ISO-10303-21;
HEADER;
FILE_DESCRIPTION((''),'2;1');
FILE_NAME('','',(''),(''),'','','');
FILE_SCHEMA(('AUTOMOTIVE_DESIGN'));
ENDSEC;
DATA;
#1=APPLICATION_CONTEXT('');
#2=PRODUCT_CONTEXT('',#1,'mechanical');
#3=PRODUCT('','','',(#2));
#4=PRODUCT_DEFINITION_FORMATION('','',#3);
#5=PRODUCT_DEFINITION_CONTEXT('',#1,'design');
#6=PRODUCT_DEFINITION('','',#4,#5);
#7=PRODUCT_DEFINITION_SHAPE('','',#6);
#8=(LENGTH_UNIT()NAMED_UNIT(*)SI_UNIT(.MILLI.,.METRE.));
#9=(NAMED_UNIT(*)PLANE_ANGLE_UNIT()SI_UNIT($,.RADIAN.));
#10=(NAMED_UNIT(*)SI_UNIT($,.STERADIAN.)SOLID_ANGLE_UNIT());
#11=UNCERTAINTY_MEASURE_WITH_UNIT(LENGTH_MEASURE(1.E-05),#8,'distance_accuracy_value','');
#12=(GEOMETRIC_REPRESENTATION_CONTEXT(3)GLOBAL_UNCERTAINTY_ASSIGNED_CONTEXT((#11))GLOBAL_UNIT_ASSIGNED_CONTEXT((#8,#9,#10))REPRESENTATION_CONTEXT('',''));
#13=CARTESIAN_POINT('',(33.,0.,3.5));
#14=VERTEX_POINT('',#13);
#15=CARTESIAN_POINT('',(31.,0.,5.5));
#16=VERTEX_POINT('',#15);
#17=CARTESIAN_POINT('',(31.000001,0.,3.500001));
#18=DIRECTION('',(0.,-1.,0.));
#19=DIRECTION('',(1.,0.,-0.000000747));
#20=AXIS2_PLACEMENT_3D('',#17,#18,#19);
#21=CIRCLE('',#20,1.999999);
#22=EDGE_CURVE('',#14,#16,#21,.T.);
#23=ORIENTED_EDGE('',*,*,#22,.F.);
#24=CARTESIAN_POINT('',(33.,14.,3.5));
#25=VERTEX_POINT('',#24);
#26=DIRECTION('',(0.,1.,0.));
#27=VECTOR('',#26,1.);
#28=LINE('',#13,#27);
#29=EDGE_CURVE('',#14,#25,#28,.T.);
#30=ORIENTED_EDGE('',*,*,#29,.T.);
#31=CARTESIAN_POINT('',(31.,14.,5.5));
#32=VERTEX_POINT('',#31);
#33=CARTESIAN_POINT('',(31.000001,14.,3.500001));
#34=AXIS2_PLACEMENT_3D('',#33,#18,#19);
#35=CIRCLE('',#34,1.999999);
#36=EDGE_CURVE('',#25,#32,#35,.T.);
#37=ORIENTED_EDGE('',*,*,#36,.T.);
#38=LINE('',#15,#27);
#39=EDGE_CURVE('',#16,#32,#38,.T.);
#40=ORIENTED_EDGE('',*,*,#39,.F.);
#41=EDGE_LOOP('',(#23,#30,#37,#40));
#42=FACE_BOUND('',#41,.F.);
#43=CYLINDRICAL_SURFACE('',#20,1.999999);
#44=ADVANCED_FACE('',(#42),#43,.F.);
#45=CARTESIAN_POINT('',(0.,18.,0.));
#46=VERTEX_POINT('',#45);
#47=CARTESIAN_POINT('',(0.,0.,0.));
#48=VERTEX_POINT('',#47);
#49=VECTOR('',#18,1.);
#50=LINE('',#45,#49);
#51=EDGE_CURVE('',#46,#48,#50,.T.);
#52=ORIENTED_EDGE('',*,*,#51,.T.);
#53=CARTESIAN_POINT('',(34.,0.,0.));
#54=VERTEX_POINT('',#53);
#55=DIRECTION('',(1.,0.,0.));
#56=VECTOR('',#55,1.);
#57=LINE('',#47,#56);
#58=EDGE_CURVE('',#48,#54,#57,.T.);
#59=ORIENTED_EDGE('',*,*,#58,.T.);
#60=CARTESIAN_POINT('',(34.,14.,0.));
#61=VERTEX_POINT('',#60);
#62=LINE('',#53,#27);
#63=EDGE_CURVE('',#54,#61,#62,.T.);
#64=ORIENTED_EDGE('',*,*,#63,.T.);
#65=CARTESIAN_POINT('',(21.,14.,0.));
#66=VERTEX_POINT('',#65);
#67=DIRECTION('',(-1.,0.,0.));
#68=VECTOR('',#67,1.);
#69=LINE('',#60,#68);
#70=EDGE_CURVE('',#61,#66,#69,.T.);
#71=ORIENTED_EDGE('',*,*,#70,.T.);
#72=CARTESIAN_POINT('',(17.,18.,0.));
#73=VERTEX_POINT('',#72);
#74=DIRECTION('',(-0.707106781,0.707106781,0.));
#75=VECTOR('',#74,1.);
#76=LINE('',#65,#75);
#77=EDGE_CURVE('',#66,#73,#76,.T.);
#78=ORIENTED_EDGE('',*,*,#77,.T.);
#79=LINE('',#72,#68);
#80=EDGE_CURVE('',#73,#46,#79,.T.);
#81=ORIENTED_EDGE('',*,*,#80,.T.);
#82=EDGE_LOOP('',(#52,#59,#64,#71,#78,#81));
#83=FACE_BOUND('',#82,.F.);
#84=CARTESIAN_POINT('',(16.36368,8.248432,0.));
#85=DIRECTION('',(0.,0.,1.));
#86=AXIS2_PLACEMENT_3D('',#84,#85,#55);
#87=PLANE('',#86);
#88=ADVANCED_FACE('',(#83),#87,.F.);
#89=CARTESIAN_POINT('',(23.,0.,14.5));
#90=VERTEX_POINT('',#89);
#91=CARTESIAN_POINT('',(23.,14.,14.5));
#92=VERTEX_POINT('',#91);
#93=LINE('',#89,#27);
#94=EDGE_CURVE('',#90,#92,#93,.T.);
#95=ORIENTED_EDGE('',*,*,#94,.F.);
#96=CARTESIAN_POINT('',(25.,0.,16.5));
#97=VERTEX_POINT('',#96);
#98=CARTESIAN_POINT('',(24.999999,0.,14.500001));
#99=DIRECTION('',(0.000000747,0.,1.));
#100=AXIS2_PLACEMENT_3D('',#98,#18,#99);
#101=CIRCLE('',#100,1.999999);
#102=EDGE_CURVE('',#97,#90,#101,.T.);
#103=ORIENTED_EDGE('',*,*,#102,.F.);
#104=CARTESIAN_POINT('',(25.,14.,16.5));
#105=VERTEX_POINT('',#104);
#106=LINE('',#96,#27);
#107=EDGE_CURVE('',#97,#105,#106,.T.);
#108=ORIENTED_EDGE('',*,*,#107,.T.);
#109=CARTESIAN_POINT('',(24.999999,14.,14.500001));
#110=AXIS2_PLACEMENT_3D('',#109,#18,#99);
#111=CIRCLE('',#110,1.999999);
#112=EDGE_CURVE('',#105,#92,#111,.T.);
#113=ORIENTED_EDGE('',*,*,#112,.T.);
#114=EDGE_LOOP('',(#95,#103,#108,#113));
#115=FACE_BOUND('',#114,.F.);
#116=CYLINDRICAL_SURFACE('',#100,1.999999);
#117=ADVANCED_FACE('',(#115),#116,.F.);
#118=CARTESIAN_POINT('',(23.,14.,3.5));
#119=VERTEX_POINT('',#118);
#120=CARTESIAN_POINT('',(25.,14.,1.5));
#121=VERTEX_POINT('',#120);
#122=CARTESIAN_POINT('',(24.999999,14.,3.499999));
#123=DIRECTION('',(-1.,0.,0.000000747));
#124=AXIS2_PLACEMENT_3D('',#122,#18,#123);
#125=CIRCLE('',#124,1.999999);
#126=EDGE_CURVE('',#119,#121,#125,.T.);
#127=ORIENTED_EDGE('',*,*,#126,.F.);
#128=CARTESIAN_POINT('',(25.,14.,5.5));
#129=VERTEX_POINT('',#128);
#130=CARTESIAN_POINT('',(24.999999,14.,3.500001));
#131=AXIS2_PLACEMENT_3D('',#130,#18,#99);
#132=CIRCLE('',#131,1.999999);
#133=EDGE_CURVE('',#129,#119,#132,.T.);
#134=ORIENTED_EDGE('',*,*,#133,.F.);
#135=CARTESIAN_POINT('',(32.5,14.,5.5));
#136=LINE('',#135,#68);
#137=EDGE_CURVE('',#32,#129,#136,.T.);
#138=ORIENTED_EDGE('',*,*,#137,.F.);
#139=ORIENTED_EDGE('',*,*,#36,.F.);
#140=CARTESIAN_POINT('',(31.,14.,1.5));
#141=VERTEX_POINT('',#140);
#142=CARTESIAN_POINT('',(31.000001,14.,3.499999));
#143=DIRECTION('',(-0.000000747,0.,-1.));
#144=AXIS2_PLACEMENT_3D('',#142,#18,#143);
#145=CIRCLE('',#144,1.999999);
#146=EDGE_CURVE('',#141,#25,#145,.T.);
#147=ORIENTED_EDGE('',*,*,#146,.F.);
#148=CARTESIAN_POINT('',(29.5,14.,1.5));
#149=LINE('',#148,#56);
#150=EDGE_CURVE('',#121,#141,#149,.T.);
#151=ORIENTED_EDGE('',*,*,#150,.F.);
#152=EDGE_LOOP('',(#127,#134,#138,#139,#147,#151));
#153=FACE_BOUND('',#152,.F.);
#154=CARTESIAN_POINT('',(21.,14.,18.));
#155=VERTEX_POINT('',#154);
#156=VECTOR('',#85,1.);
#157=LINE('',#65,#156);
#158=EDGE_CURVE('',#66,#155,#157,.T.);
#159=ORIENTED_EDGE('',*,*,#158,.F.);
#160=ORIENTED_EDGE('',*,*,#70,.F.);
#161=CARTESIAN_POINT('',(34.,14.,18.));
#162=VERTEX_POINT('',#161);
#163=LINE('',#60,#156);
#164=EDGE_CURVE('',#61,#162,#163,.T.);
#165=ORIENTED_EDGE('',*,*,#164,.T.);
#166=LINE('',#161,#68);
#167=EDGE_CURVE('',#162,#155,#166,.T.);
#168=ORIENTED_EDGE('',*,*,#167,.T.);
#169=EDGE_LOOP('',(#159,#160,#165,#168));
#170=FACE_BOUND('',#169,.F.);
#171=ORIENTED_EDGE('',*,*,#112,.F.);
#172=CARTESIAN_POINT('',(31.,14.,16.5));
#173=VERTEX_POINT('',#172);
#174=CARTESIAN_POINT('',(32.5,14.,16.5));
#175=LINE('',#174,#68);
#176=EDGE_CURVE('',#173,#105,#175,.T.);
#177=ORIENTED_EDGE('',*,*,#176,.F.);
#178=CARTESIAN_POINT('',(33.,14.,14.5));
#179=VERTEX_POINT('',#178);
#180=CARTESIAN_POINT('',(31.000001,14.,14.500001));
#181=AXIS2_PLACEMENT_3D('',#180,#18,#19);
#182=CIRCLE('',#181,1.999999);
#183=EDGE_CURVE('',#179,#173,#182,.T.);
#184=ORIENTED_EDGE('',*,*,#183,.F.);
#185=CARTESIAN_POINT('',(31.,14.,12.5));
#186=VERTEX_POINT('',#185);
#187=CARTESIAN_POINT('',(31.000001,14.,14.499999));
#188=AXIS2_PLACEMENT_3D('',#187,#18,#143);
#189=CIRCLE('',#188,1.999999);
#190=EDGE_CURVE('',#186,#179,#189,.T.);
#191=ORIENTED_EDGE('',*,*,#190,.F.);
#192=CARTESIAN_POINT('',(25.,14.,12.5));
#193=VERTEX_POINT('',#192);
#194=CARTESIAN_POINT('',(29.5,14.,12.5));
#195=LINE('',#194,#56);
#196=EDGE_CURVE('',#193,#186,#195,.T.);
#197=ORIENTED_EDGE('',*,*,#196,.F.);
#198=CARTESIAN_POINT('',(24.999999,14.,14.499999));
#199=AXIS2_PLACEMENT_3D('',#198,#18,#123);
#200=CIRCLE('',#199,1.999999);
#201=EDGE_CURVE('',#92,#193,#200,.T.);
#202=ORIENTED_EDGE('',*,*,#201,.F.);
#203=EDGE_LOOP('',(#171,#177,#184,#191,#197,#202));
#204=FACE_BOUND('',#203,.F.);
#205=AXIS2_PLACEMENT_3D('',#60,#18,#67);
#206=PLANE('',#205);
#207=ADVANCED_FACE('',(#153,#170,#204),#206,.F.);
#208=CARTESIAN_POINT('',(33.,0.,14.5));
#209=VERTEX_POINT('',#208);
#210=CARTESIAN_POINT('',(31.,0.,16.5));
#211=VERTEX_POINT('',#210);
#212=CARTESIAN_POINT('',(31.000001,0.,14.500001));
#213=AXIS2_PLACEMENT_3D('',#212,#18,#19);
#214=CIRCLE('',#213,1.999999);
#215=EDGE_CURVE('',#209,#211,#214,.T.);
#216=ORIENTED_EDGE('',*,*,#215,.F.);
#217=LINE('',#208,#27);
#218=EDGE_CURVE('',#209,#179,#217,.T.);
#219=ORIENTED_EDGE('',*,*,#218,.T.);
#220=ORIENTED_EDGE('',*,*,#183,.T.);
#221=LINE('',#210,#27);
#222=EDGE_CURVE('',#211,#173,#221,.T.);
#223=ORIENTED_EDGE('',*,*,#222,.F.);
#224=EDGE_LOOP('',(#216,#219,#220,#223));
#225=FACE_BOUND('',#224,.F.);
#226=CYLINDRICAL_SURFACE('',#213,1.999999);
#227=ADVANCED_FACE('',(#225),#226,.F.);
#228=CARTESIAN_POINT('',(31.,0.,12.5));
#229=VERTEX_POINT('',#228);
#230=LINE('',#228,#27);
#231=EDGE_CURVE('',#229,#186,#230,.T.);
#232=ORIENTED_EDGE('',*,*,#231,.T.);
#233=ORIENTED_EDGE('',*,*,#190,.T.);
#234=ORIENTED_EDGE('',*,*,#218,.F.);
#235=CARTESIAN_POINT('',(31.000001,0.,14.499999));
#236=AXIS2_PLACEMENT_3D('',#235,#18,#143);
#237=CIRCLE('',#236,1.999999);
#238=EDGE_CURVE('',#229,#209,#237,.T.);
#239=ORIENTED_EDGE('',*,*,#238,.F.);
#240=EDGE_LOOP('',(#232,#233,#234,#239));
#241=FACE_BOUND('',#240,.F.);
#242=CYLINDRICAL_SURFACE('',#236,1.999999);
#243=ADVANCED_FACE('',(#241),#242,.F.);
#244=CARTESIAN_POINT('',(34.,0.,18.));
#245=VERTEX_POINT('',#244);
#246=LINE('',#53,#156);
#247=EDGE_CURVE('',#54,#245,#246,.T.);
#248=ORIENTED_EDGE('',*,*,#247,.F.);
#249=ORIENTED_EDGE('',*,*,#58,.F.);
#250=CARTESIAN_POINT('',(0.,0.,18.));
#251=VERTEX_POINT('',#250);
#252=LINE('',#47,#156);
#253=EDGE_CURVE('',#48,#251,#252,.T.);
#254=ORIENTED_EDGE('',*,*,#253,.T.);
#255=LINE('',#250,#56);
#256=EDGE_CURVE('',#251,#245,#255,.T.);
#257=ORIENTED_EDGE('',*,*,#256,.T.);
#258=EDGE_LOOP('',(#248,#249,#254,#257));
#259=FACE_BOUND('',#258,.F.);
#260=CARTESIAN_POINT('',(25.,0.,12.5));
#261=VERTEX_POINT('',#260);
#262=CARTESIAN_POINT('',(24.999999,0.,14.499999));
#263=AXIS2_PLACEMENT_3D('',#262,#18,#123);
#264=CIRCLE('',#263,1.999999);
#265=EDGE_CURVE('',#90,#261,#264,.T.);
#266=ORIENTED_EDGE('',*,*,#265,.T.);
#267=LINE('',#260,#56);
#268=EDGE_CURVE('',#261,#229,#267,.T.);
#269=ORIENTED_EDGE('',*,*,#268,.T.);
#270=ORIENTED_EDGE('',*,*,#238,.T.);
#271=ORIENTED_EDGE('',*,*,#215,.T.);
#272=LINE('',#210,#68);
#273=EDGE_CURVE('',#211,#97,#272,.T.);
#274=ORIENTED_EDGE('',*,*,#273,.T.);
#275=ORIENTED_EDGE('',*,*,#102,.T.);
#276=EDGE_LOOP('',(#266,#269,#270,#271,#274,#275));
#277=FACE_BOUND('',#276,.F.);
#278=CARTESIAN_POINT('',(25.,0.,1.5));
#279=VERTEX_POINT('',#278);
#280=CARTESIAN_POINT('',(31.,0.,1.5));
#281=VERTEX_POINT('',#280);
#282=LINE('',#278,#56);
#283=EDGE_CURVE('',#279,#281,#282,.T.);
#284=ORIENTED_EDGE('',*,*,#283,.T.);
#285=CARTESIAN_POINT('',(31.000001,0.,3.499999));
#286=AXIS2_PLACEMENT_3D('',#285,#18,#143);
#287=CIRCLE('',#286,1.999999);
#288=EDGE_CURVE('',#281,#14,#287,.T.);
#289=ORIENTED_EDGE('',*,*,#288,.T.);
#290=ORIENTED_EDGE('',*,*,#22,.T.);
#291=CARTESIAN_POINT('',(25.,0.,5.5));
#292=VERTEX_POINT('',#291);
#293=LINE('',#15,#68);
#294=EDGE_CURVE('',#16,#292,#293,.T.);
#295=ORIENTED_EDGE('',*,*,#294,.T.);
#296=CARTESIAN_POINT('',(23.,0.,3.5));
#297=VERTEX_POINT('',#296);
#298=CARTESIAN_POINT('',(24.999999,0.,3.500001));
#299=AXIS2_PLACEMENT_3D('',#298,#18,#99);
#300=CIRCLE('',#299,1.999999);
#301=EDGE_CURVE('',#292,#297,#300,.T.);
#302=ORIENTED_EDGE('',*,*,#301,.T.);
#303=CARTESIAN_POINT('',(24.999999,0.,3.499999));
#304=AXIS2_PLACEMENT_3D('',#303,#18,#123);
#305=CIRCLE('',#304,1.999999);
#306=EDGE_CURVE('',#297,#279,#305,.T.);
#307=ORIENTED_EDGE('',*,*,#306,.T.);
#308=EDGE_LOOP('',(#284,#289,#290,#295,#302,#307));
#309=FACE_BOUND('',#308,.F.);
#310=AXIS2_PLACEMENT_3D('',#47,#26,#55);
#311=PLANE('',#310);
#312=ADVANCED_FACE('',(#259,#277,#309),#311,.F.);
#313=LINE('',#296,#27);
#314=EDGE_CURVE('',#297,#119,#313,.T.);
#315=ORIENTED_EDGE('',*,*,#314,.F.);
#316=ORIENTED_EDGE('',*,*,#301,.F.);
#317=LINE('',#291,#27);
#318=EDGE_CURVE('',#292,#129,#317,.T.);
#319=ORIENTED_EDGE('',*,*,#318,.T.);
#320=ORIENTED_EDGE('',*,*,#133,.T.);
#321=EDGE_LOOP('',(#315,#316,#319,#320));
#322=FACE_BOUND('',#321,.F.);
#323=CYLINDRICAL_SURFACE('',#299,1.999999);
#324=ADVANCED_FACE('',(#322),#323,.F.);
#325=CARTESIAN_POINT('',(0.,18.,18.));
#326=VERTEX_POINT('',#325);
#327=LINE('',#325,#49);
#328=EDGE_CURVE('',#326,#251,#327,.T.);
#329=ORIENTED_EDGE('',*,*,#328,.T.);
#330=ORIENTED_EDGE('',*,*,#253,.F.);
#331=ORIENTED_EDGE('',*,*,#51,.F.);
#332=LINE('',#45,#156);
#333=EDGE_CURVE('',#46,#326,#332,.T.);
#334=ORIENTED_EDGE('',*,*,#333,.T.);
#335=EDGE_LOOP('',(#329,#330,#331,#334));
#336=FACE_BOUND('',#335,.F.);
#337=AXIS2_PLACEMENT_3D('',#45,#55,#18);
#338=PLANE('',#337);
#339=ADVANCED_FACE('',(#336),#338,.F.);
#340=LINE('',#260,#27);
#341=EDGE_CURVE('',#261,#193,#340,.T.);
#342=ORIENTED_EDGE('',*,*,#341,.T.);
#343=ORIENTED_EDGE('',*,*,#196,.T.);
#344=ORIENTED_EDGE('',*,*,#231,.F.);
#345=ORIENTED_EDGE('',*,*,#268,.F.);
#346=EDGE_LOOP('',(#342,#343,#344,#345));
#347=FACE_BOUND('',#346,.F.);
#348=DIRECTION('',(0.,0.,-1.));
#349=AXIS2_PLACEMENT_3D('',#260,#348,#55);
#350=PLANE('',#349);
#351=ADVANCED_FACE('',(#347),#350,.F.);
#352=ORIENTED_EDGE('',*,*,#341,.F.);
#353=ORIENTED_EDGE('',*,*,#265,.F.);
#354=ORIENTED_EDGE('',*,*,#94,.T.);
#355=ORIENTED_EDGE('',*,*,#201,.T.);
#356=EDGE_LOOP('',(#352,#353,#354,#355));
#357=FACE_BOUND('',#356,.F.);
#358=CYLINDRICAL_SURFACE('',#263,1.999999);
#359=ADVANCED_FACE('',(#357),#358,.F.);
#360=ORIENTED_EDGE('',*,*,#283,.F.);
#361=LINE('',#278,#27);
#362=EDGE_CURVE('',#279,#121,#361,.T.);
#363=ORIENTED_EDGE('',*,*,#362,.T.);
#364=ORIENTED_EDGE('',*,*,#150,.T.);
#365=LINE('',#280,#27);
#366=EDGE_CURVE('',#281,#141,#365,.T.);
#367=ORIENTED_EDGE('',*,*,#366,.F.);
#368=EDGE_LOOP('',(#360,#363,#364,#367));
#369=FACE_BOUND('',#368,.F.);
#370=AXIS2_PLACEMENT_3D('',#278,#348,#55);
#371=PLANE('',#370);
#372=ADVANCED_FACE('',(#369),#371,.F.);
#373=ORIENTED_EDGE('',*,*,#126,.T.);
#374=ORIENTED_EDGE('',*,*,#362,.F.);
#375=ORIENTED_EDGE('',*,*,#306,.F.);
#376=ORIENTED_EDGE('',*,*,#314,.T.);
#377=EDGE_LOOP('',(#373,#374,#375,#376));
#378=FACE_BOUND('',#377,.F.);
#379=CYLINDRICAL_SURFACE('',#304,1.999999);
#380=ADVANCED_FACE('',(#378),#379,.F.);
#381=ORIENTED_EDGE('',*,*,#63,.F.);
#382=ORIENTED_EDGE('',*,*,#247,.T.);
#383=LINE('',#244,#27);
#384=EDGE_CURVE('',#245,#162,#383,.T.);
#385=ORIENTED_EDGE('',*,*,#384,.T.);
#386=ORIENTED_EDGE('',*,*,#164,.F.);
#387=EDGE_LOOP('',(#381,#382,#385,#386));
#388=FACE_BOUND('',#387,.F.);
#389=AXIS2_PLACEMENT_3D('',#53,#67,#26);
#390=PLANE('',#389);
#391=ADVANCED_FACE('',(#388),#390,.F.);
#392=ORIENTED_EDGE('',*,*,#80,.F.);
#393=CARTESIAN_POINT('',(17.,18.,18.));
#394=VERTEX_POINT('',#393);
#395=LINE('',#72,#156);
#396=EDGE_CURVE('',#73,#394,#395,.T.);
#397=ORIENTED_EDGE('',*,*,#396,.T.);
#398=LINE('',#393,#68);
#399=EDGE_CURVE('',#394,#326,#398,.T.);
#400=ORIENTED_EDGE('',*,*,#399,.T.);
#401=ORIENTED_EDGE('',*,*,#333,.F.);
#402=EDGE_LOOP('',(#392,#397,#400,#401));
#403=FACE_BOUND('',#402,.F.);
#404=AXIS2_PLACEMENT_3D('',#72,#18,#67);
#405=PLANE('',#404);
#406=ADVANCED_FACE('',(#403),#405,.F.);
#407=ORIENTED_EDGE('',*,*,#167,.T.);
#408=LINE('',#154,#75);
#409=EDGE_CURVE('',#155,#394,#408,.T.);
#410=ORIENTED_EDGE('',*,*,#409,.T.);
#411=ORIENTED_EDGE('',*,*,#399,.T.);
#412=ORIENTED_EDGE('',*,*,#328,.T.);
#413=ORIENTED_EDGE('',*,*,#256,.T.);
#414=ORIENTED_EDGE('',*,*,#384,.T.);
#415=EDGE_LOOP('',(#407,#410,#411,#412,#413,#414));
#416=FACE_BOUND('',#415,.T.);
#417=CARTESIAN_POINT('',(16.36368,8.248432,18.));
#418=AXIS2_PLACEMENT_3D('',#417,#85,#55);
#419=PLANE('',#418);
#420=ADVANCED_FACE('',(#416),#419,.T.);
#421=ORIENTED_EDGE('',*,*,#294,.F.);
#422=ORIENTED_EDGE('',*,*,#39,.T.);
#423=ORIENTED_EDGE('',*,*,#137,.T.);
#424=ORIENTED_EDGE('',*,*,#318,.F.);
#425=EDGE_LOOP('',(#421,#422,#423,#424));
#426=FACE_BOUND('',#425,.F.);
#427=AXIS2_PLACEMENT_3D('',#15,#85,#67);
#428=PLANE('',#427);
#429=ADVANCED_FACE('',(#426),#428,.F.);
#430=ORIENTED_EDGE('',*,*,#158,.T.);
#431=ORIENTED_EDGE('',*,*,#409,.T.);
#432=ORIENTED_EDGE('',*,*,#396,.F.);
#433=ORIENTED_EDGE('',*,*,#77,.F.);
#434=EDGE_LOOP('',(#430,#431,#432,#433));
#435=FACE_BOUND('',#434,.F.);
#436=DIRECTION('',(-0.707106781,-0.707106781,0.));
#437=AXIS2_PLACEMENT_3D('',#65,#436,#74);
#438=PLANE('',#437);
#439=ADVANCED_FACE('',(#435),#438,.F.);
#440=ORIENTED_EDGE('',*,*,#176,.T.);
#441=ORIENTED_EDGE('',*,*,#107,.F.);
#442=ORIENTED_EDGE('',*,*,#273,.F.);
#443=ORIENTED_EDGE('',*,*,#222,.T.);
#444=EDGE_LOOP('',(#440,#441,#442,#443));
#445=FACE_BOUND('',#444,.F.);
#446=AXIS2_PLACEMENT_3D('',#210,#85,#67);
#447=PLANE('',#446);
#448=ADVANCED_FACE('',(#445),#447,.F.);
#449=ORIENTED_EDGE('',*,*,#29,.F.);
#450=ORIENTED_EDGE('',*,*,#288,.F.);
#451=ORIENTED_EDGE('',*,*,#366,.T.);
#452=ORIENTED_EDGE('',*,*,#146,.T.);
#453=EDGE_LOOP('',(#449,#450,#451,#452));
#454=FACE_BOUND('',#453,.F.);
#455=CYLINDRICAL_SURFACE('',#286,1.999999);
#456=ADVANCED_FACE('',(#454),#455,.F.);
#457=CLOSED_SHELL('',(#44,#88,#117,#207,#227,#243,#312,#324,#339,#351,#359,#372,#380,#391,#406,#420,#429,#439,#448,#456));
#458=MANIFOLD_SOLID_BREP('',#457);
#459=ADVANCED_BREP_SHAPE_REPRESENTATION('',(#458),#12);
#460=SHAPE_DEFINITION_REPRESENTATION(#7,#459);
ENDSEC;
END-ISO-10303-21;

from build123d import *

# Parameters (mm, degrees)
F1_DEPTH = 18
F3_DEPTH = 15


with BuildPart() as f1:
    # F0 (on Top) → F1 (new body)
    with BuildSketch(Plane.XY):
        Polygon((0, 18), (0, 0), (34, 0), (34, 14), (21, 14), (17, 18), align=None)
    extrude(amount=F1_DEPTH)

    # F2 (on Front) → F3 (cut)
    with BuildSketch(Plane.XZ):
        with BuildLine():
            ThreePointArc((33, 14.5), (32.414214, 15.914214), (31, 16.5))
            Line((31, 16.5), (25, 16.5))
            ThreePointArc((25, 16.5), (23.585786, 15.914214), (23, 14.5))
            ThreePointArc((23, 14.5), (23.585786, 13.085786), (25, 12.5))
            Line((25, 12.5), (31, 12.5))
            ThreePointArc((31, 12.5), (32.414214, 13.085786), (33, 14.5))
        make_face()
        with BuildLine():
            ThreePointArc((23, 3.5), (23.585786, 2.085786), (25, 1.5))
            Line((25, 1.5), (31, 1.5))
            ThreePointArc((31, 1.5), (32.414214, 2.085786), (33, 3.5))
            ThreePointArc((33, 3.5), (32.414214, 4.914214), (31, 5.5))
            Line((31, 5.5), (25, 5.5))
            ThreePointArc((25, 5.5), (23.585786, 4.914214), (23, 3.5))
        make_face()
    extrude(amount=-F3_DEPTH, mode=Mode.SUBTRACT)


solid = f1.part
